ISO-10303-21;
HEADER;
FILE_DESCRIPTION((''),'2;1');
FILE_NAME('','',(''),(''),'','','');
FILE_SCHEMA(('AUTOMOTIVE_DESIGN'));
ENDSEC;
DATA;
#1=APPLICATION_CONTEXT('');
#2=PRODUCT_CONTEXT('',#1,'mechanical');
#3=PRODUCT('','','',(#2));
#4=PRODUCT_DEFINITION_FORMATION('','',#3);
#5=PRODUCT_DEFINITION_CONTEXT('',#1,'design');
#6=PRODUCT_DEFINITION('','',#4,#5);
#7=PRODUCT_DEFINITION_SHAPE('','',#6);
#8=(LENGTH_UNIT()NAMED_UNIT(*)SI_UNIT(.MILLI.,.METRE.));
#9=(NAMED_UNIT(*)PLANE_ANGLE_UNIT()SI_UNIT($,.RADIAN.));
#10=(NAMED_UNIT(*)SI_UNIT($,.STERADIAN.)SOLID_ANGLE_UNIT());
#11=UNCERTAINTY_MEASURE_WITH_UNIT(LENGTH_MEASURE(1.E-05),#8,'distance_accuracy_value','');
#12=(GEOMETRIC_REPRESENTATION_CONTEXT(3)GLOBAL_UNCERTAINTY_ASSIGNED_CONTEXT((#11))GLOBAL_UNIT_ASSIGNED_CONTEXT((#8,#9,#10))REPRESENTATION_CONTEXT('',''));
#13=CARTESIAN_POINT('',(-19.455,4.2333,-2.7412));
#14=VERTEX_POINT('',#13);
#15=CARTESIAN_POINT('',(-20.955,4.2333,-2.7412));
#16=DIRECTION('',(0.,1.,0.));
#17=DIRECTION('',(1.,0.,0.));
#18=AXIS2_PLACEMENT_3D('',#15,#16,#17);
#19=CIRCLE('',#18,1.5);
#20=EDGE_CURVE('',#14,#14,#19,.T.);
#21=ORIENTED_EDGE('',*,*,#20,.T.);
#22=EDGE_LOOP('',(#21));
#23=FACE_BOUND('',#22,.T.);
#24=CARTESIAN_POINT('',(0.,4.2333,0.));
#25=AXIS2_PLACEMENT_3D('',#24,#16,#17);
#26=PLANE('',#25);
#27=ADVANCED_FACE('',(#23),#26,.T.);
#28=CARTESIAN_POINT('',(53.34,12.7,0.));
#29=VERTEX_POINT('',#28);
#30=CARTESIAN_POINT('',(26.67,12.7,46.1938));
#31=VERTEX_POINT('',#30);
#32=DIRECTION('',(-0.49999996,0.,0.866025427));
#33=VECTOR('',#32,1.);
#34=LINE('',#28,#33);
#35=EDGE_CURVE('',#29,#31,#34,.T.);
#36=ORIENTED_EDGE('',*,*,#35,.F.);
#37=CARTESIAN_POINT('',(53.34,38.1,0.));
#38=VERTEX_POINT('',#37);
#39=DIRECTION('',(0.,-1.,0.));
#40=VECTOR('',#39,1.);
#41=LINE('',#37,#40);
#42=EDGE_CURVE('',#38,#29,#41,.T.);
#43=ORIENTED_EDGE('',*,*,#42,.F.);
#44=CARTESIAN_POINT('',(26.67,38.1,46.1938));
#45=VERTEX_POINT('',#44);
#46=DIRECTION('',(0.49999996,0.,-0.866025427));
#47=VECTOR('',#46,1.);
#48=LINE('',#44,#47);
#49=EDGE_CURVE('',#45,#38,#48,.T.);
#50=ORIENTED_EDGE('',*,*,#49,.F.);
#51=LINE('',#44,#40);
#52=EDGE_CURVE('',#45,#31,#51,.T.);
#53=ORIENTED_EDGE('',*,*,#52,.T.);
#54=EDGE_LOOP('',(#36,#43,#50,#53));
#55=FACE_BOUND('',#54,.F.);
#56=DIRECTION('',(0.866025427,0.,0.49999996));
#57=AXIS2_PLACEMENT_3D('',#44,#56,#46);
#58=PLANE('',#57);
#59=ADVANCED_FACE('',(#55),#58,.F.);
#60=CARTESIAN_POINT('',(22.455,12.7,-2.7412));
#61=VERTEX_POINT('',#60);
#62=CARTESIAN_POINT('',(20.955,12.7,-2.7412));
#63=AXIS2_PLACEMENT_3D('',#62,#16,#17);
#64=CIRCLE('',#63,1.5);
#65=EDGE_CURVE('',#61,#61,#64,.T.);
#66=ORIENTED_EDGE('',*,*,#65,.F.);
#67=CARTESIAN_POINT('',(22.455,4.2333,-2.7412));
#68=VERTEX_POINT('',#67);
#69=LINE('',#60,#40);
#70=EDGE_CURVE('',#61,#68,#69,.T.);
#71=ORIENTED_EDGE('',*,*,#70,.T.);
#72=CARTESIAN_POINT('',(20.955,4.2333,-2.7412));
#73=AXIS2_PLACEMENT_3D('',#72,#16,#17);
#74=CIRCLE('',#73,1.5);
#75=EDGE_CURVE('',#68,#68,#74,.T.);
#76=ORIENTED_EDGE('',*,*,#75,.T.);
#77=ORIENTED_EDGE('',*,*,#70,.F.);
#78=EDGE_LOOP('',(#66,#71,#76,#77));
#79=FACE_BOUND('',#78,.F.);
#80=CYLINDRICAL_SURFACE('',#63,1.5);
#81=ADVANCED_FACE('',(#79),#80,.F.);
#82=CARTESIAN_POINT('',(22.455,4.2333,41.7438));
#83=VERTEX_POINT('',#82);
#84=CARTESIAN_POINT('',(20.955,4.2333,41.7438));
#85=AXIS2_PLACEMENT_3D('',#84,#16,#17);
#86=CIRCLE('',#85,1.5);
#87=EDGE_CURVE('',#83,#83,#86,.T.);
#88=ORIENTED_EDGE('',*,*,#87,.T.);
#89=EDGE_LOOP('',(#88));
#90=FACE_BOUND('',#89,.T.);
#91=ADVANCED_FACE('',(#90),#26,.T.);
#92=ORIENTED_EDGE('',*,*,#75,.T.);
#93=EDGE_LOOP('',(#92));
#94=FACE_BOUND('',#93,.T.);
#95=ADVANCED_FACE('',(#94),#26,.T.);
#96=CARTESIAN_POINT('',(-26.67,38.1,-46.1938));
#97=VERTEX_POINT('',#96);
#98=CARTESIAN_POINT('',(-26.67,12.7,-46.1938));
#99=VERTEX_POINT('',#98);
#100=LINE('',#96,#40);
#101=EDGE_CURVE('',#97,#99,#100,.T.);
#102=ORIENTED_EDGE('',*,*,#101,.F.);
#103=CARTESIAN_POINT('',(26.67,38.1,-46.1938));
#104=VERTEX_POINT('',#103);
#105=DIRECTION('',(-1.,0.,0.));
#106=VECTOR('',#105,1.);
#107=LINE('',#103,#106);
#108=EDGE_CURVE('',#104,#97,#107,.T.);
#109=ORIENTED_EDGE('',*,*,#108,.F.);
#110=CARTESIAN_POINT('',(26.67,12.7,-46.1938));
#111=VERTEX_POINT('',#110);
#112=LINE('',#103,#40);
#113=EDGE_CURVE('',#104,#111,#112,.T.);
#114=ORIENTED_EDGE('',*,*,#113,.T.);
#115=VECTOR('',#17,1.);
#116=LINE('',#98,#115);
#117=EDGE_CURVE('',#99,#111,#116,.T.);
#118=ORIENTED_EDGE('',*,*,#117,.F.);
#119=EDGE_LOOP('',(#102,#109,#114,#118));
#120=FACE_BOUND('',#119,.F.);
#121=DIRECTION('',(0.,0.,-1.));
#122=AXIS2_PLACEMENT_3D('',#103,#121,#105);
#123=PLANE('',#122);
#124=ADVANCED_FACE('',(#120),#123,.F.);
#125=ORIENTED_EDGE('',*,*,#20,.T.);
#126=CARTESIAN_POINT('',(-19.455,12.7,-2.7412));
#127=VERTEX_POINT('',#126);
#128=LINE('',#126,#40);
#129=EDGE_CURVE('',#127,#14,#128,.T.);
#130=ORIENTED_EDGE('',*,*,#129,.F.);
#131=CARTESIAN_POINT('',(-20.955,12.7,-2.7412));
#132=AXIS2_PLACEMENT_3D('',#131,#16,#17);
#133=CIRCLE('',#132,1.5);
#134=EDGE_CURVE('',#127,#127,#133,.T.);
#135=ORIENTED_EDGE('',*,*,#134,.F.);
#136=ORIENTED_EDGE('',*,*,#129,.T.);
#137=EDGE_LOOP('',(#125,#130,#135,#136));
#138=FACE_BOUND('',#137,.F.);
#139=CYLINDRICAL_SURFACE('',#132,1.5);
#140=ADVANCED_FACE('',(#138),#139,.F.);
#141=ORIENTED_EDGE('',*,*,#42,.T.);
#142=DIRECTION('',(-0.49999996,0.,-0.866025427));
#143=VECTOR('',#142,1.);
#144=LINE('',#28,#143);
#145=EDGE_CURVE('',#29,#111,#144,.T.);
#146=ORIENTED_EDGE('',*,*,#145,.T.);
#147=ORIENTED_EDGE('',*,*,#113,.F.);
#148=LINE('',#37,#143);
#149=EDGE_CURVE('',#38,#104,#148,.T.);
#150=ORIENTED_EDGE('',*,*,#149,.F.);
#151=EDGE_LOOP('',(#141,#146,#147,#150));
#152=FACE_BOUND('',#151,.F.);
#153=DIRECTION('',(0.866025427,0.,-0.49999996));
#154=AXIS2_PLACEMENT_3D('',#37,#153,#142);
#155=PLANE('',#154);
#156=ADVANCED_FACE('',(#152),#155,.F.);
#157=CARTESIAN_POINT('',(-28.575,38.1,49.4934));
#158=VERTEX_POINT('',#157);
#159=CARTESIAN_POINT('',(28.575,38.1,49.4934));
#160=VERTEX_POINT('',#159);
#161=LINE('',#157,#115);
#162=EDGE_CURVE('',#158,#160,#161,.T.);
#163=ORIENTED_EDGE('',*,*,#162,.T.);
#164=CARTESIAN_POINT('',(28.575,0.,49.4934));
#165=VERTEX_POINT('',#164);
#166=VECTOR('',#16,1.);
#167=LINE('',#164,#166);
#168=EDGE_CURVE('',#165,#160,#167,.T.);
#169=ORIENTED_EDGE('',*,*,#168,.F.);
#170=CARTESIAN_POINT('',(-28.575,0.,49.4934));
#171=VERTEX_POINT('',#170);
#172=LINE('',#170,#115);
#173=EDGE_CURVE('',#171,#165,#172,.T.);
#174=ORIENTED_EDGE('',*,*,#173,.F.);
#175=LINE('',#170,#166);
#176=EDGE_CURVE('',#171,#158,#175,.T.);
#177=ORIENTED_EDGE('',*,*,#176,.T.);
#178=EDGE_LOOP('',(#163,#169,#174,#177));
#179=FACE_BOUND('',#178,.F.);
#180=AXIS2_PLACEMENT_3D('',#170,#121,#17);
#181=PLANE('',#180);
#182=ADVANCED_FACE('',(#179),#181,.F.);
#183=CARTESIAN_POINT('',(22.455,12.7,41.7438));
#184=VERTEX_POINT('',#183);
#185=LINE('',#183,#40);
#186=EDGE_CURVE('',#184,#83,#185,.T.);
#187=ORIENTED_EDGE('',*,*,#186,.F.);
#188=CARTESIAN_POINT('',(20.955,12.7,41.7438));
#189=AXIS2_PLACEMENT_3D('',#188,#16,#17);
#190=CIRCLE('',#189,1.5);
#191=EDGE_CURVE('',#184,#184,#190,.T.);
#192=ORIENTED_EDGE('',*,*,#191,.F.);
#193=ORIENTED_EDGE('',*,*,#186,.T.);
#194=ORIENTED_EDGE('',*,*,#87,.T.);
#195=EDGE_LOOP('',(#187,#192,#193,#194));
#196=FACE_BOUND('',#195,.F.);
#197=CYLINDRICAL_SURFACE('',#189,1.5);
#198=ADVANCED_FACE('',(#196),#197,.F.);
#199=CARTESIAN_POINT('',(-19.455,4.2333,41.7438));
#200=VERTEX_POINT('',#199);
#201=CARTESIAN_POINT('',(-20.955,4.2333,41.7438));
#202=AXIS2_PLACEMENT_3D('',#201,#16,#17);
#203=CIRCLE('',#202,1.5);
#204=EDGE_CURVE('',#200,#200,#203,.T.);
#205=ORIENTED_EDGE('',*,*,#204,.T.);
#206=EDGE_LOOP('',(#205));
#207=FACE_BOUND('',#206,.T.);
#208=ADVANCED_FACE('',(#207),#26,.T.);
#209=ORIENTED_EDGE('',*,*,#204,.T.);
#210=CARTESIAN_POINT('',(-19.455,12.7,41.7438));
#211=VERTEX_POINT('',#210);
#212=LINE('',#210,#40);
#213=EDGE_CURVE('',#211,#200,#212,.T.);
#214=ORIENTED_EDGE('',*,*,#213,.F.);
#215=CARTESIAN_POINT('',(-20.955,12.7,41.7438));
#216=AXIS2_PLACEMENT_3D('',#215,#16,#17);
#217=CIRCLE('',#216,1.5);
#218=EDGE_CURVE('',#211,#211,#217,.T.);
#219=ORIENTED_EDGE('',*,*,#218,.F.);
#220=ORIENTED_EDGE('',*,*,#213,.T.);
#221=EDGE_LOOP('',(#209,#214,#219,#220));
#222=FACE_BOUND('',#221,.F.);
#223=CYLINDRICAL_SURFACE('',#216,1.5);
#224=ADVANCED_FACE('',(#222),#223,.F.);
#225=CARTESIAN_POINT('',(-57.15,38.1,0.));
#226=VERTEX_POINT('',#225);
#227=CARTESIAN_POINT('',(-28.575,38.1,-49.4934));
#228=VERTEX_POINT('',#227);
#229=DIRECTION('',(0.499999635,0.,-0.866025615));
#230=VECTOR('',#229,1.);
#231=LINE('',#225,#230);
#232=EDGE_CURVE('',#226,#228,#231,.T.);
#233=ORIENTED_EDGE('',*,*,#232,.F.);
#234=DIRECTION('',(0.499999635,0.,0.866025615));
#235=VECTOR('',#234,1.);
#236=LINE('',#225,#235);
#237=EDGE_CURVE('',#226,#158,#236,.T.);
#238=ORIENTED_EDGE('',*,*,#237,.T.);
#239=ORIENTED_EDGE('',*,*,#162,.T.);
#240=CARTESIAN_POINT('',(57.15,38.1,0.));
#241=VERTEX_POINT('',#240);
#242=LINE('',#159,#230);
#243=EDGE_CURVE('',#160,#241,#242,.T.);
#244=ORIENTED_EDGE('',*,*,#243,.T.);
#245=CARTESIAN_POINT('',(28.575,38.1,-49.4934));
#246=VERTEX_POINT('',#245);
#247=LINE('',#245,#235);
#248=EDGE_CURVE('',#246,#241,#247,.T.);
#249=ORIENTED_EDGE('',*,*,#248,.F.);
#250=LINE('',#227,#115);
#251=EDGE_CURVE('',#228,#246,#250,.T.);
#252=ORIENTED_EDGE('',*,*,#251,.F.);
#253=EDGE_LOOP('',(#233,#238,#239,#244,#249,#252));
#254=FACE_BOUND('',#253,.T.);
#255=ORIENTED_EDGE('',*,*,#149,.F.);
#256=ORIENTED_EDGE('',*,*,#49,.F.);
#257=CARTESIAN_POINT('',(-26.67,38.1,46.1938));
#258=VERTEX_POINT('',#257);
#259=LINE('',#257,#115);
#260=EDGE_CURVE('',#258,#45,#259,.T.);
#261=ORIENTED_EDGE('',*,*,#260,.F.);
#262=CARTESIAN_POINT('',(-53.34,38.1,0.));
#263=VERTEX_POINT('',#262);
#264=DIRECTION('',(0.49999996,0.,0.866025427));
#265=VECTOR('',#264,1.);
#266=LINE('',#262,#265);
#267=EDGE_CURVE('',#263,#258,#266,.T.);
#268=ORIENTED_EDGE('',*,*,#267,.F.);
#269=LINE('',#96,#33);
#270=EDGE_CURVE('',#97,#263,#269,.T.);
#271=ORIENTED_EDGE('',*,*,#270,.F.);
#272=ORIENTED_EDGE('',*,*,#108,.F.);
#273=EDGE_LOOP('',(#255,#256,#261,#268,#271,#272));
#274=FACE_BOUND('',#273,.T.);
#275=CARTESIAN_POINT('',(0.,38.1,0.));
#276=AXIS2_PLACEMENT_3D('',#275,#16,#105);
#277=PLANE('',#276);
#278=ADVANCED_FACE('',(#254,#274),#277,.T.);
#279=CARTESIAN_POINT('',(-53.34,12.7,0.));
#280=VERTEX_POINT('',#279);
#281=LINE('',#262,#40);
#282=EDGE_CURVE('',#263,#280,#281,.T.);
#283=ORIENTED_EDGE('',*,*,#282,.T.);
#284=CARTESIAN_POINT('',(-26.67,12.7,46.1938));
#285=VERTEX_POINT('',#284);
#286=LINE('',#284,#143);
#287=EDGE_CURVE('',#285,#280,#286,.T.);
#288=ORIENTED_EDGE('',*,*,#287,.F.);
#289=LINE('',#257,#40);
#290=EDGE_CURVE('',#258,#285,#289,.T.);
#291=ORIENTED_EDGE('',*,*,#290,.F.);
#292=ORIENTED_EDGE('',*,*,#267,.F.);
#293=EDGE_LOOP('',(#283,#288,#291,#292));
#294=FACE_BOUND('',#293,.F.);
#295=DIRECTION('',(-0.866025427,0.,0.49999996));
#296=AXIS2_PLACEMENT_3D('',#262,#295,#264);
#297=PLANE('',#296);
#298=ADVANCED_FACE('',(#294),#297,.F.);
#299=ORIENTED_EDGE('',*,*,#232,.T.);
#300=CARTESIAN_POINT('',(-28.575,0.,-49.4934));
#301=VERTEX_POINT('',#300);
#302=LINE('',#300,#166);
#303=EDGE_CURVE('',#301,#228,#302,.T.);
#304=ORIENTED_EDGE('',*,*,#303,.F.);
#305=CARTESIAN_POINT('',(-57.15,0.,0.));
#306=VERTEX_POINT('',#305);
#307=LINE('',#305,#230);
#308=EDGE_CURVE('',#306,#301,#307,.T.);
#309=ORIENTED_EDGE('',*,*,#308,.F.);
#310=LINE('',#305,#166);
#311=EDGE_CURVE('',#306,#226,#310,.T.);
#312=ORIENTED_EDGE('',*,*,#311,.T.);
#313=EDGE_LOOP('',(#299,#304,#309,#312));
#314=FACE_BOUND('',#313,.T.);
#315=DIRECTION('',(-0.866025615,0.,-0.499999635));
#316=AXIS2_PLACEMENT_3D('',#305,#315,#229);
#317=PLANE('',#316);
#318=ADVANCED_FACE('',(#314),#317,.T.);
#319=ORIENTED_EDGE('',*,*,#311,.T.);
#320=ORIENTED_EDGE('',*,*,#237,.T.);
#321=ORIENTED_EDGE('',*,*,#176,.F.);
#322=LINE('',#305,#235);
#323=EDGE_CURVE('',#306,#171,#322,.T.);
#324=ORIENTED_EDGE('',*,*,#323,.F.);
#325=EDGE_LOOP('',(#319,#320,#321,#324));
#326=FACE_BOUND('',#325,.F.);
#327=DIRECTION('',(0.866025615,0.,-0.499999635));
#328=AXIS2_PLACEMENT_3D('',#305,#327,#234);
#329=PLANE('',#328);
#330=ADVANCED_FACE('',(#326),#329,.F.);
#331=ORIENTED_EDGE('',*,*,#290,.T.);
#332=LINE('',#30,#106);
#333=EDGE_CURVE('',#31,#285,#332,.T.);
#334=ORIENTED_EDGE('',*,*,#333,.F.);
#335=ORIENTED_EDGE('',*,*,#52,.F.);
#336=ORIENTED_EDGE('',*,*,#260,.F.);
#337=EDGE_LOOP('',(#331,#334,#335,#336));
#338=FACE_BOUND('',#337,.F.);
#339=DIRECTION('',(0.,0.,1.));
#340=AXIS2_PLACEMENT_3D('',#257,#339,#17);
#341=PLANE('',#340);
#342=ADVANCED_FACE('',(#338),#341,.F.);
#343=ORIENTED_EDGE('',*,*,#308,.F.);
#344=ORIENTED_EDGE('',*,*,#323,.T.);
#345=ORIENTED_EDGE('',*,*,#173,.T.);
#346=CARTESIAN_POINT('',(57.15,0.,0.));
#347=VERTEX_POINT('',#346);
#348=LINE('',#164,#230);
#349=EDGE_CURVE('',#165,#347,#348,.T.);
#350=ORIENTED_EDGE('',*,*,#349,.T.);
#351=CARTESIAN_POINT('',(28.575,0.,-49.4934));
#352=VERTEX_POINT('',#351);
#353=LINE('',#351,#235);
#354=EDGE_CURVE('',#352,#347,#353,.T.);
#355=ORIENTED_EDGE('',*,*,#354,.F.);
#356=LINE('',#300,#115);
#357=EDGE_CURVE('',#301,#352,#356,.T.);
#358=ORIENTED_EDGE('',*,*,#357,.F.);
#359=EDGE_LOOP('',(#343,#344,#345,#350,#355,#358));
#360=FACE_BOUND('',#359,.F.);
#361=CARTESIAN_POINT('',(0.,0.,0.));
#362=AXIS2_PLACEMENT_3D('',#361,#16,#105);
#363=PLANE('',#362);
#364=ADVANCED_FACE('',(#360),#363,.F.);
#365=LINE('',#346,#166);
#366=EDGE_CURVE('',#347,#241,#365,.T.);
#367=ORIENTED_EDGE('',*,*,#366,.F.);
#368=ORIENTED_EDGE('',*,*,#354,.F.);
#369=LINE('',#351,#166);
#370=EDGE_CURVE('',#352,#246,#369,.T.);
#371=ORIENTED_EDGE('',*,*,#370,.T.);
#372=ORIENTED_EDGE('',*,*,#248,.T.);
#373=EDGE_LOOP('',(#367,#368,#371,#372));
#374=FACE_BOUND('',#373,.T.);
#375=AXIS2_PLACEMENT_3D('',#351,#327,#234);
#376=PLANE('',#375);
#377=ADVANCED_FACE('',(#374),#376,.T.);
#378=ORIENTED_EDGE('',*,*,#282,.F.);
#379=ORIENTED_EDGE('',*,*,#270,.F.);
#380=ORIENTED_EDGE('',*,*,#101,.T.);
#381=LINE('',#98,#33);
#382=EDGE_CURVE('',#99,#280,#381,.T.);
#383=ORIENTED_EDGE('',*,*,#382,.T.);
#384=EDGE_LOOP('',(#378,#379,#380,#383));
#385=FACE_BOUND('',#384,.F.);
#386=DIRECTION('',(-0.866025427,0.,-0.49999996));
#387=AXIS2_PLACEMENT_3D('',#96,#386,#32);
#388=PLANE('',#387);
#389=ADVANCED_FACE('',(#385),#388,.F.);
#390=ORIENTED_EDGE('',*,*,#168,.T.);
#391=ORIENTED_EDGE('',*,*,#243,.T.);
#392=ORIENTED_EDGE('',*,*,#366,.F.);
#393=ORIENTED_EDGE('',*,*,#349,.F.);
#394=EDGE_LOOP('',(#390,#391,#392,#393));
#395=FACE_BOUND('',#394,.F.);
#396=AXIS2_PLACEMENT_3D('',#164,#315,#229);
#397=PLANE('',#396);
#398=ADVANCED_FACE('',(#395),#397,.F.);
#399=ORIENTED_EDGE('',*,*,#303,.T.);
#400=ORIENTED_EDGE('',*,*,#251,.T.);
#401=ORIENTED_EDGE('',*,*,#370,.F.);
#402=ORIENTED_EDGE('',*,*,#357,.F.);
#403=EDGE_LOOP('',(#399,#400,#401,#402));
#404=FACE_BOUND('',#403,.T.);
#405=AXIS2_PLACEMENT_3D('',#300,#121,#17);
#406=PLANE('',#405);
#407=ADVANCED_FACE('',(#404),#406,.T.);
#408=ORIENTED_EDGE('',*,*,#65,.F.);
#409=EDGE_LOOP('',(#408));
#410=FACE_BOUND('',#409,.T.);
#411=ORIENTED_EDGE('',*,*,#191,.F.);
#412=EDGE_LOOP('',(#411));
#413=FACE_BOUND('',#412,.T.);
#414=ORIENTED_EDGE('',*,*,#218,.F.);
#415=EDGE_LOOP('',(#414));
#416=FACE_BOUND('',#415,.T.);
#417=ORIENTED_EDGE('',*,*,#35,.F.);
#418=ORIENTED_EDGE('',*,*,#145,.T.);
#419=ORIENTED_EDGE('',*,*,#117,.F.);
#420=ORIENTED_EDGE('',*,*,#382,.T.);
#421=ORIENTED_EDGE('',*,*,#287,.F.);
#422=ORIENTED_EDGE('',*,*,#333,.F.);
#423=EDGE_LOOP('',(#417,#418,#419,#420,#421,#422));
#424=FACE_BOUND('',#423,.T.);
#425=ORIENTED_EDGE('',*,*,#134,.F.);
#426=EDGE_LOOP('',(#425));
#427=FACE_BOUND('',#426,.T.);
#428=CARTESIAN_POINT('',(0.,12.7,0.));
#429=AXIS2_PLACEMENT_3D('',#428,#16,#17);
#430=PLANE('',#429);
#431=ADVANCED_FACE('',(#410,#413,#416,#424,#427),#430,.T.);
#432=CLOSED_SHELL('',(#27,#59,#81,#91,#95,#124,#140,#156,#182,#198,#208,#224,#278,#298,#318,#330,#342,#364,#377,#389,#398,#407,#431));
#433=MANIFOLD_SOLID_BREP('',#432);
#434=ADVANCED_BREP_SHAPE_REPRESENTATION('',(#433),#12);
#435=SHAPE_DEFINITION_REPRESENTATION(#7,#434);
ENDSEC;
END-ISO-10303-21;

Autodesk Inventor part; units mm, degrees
ref_plane "YZ Plane" through (0, 0, 0) normal (1, 0, 0) x (0, 1, 0)
ref_plane "XZ Plane" through (0, 0, 0) normal (0, 1, 0) x (-1, 0, 0)
ref_plane "XY Plane" through (0, 0, 0) normal (0, 0, 1) x (1, 0, 0)
sketch "Sketch1" plane through (0, 0, 0) normal (0, 1, 0) x (-1, 0, 0)
  line L0 (57.15, 0) -> (28.575, 49.4934)
  line L1 (28.575, 49.4934) -> (-28.575, 49.4934)
  line L2 (-28.575, 49.4934) -> (-57.15, 0)
  line L3 (57.15, 0) -> (28.575, -49.4934)
  line L4 (28.575, -49.4934) -> (-28.575, -49.4934)
  line L5 (-28.575, -49.4934) -> (-57.15, 0)
  point P0 (0, 0)
  dimension "d0" = 57.15
  dimension "d1" = 57.15
  dimension "d2" = 57.15
  dimension "d3" = 57.15
extrude "Extrusion1" add sketch "Sketch1" along normal blind 38.1
sketch "Sketch2" plane through (0, 38.1, 0) normal (0, 1, 0) x (1, 0, 0)
  line L0 (0, 0) -> (-53.34, 0)
  line L1 (-53.34, 0) -> (-26.67, -46.1938)
  line L2 (-26.67, -46.1938) -> (26.67, -46.1938)
  line L3 (26.67, -46.1938) -> (53.34, 0)
  line L4 (53.34, 0) -> (26.67, 46.1938)
  line L5 (26.67, 46.1938) -> (-26.67, 46.1938)
  line L6 (-26.67, 46.1938) -> (-53.34, 0)
  dimension "d6" = 53.34
  dimension "d7" = 53.34
  dimension "d8" = 60
  dimension "d9" = 53.34
  dimension "d10" = 53.34
extrude "Extrusion2" cut sketch "Sketch2" against normal blind 31.75
sketch "Sketch3" plane through (0, 6.35, 0) normal (0, 1, 0) x (1, 0, 0)
  line L0 (26.67, -46.1938) -> (-26.67, -46.1938) projected
  line L1 (-26.67, -46.1938) -> (26.67, -46.1938)
  line L2 (53.34, 0) -> (26.67, -46.1938) projected
  line L3 (26.67, -46.1938) -> (53.34, 0)
  line L4 (-26.67, 46.1938) -> (26.67, 46.1938) projected
  line L5 (53.34, 0) -> (26.67, 46.1938)
  line L6 (26.67, 46.1938) -> (-26.67, 46.1938)
  line L7 (-26.67, 46.1938) -> (-53.34, 0)
  line L8 (-26.67, -46.1938) -> (-53.34, 0) projected
  line L9 (-53.34, 0) -> (-26.67, -46.1938)
  line L10 (-26.67, -46.1938) -> (26.67, -46.1938)
  point P0 (0, 0)
extrude "Extrusion3" add sketch "Sketch3" along normal blind 6.35
sketch "Sketch4" plane through (0, 12.7, 0) normal (0, 1, 0) x (1, 0, 0)
  circle A0 centre (-20.955, -41.7438) radius 1.5
  line L0 (26.67, -46.1938) -> (-26.67, -46.1938) projected
  circle A1 centre (20.955, -41.7438) radius 1.5
  circle A2 centre (-20.955, 2.7412) radius 1.5
  circle A3 centre (20.955, 2.7412) radius 1.5
  point P0 (0, 0)
  dimension "d15" = 3
  dimension "d16" = 4.45
  dimension "d17" = 3
  dimension "d18" = 41.91
  dimension "d19" = 20.955
  dimension "d20" = 4.45
  dimension "d21" = 3
  dimension "d22" = 44.485
  dimension "d23" = 20.955
  dimension "d24" = 3
  dimension "d25" = 41.91
  dimension "d26" = 44.485
extrude "Extrusion4" cut sketch "Sketch4" against normal blind 8.4667
properties part number "Internal Base"
